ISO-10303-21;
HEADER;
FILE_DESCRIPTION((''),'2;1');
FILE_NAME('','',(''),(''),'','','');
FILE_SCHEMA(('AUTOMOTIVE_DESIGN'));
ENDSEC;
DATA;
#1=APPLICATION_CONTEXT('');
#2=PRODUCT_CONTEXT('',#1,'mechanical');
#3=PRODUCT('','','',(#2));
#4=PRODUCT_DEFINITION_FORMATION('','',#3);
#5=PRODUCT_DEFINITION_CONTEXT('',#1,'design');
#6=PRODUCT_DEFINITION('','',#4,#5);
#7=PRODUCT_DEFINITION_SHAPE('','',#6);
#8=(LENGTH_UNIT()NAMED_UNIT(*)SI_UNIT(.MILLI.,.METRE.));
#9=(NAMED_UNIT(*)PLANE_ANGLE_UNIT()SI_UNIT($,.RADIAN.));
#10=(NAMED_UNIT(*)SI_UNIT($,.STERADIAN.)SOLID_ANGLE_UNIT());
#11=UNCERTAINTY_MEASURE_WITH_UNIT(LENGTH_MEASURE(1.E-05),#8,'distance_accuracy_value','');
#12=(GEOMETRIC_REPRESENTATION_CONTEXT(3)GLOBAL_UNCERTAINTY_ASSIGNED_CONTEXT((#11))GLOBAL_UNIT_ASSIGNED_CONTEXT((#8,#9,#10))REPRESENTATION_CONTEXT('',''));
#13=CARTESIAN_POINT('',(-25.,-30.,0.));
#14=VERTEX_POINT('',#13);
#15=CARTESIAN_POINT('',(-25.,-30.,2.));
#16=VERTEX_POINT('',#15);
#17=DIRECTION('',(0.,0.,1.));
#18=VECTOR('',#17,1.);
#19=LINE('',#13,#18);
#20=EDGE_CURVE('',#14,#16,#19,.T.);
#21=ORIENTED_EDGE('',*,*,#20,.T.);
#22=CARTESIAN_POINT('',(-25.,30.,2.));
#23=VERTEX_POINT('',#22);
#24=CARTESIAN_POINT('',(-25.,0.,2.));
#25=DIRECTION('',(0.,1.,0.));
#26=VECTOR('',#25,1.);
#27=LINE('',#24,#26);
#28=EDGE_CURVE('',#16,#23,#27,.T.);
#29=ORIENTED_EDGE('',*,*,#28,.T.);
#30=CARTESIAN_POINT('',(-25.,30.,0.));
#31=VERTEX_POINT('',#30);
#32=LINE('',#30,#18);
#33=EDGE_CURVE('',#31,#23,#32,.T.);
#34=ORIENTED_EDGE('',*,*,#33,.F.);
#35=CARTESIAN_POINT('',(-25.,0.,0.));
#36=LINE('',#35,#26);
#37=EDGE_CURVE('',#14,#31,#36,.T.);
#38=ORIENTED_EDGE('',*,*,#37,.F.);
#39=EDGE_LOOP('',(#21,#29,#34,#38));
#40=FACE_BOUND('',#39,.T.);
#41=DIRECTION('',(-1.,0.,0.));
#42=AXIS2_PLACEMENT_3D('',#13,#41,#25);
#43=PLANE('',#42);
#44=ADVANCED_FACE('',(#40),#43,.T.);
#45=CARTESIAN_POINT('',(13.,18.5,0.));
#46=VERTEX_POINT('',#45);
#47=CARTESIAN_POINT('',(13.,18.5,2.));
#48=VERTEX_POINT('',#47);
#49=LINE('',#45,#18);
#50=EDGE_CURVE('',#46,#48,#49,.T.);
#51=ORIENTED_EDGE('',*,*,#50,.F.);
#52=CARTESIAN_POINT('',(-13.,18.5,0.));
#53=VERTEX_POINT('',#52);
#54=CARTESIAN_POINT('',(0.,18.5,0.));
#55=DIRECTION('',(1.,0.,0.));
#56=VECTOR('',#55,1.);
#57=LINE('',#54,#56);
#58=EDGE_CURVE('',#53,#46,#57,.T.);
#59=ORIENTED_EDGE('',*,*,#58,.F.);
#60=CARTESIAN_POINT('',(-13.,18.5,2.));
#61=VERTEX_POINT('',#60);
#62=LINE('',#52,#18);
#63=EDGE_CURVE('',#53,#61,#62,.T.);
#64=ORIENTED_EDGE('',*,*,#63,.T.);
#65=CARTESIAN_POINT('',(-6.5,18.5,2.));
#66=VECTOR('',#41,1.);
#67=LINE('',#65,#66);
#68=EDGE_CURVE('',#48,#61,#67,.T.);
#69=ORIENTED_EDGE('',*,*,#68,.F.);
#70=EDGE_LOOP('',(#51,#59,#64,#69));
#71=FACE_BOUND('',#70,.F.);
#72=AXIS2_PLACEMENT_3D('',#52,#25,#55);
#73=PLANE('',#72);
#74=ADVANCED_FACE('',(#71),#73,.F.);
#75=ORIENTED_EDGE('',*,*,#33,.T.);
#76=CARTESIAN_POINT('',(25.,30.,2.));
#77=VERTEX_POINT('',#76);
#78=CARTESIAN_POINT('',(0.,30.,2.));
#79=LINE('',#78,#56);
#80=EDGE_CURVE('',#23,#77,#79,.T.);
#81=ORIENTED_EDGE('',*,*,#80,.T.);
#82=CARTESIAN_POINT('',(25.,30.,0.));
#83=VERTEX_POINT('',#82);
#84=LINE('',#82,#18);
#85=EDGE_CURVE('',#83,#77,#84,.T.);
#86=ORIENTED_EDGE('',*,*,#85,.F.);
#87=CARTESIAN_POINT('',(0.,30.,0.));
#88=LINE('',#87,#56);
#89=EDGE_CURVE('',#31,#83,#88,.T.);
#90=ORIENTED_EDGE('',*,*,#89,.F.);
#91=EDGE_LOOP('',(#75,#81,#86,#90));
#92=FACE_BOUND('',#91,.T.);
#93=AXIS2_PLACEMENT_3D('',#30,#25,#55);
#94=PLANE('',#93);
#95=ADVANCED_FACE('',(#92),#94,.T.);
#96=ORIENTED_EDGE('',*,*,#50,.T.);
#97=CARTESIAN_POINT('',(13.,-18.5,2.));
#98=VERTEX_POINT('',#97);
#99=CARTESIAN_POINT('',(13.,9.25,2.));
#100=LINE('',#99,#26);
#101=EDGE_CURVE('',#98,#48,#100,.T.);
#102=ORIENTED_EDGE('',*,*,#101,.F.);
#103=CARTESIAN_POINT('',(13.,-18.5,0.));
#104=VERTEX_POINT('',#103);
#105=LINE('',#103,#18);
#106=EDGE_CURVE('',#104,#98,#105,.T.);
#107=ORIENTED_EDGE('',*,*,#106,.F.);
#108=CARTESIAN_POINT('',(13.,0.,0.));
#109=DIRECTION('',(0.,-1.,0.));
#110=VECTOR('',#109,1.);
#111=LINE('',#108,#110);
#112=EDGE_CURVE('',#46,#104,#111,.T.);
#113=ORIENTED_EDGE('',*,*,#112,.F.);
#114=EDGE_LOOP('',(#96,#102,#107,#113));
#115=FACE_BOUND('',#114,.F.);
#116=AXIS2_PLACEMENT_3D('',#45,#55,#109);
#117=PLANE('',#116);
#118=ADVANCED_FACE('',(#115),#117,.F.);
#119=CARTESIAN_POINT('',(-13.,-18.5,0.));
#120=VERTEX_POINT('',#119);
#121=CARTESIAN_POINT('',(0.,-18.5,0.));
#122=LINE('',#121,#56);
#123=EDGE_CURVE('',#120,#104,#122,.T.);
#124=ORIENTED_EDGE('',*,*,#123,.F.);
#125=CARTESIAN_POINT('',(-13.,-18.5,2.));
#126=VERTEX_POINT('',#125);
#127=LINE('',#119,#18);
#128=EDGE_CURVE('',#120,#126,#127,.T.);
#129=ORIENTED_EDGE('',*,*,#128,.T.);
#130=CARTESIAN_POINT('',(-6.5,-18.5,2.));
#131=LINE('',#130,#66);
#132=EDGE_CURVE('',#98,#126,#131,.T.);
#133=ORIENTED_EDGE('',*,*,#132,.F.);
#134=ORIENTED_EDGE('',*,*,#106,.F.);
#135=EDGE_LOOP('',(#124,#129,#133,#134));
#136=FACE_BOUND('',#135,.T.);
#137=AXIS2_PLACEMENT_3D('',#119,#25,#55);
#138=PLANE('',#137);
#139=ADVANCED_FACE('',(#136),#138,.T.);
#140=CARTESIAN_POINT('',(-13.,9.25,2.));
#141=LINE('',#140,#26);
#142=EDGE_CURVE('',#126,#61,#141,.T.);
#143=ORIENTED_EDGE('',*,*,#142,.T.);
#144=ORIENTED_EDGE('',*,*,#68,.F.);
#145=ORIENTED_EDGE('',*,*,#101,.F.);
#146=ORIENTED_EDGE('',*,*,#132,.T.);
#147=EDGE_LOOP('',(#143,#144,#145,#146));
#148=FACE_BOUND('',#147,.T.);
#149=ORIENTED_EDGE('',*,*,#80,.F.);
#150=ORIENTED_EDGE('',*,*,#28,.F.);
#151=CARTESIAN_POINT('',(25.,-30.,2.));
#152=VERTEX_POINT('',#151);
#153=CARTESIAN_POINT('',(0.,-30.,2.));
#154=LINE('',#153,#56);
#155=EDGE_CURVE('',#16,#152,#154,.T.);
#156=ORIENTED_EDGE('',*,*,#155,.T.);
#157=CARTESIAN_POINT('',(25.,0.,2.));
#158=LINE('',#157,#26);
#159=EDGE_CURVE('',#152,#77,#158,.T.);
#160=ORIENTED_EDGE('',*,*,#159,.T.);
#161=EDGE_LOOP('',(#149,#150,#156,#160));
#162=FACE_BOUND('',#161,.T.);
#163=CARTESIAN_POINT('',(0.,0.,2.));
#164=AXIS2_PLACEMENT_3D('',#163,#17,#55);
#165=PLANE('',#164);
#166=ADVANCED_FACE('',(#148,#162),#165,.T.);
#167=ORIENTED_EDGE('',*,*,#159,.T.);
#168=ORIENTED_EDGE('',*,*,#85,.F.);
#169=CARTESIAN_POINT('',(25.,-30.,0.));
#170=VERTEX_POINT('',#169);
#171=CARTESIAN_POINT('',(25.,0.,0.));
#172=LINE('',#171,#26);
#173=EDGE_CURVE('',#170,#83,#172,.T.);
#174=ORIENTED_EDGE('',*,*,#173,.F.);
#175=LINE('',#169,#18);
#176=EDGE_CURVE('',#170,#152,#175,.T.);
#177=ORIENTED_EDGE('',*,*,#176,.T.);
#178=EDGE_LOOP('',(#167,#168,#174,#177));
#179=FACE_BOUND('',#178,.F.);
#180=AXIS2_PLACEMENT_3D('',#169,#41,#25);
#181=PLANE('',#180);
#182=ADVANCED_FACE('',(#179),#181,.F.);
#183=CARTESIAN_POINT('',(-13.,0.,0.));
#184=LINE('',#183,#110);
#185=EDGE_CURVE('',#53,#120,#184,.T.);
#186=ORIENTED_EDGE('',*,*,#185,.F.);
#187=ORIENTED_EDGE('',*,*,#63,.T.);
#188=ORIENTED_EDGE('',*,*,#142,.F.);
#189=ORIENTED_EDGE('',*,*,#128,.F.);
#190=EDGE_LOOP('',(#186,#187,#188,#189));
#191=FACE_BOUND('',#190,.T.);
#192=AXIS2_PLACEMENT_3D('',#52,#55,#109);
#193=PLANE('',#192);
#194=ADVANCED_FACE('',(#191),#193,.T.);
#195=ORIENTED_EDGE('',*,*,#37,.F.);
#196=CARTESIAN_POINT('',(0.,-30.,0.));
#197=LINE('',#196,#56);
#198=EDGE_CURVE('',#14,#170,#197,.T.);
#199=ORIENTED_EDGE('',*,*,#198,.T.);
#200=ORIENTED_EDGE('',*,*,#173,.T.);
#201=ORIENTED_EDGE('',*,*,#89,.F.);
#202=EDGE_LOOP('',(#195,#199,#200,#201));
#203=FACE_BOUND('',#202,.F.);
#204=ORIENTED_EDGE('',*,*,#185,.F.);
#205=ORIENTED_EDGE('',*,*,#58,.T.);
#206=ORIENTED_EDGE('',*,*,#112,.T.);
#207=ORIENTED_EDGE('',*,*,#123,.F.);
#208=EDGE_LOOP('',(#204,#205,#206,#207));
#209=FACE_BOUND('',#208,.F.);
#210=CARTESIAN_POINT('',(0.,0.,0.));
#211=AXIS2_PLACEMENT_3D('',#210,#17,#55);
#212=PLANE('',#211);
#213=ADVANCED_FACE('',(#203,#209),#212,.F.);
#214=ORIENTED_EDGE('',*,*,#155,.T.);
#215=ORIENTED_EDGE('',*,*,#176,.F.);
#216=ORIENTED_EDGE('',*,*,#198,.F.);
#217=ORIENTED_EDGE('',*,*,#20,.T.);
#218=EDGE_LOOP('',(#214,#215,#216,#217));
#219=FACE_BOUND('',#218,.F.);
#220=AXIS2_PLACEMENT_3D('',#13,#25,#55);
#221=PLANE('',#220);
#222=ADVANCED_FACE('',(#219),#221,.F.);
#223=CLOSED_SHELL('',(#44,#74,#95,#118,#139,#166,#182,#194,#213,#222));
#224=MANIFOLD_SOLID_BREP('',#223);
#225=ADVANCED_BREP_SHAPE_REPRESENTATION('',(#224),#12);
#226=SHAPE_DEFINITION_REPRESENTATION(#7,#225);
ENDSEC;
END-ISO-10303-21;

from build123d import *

# Parameters (mm, degrees)
F0_W     = 50
F0_H     = 60
F1_DEPTH = 2
F2_W     = 26
F2_H     = 37
F3_DEPTH = 25.4


with BuildPart() as f1:
    # F0 (on Top) → F1 (new body)
    with BuildSketch(Plane.XY):
        Rectangle(F0_W, F0_H)
    extrude(amount=F1_DEPTH)

    # F2 (on face) → F3 (cut)
    with BuildSketch(Plane(origin=(0, 0, 0), x_dir=(1, 0, 0), z_dir=(0, 0, -1))):
        Rectangle(F2_W, F2_H)
    extrude(amount=-F3_DEPTH, mode=Mode.SUBTRACT)


solid = f1.part
